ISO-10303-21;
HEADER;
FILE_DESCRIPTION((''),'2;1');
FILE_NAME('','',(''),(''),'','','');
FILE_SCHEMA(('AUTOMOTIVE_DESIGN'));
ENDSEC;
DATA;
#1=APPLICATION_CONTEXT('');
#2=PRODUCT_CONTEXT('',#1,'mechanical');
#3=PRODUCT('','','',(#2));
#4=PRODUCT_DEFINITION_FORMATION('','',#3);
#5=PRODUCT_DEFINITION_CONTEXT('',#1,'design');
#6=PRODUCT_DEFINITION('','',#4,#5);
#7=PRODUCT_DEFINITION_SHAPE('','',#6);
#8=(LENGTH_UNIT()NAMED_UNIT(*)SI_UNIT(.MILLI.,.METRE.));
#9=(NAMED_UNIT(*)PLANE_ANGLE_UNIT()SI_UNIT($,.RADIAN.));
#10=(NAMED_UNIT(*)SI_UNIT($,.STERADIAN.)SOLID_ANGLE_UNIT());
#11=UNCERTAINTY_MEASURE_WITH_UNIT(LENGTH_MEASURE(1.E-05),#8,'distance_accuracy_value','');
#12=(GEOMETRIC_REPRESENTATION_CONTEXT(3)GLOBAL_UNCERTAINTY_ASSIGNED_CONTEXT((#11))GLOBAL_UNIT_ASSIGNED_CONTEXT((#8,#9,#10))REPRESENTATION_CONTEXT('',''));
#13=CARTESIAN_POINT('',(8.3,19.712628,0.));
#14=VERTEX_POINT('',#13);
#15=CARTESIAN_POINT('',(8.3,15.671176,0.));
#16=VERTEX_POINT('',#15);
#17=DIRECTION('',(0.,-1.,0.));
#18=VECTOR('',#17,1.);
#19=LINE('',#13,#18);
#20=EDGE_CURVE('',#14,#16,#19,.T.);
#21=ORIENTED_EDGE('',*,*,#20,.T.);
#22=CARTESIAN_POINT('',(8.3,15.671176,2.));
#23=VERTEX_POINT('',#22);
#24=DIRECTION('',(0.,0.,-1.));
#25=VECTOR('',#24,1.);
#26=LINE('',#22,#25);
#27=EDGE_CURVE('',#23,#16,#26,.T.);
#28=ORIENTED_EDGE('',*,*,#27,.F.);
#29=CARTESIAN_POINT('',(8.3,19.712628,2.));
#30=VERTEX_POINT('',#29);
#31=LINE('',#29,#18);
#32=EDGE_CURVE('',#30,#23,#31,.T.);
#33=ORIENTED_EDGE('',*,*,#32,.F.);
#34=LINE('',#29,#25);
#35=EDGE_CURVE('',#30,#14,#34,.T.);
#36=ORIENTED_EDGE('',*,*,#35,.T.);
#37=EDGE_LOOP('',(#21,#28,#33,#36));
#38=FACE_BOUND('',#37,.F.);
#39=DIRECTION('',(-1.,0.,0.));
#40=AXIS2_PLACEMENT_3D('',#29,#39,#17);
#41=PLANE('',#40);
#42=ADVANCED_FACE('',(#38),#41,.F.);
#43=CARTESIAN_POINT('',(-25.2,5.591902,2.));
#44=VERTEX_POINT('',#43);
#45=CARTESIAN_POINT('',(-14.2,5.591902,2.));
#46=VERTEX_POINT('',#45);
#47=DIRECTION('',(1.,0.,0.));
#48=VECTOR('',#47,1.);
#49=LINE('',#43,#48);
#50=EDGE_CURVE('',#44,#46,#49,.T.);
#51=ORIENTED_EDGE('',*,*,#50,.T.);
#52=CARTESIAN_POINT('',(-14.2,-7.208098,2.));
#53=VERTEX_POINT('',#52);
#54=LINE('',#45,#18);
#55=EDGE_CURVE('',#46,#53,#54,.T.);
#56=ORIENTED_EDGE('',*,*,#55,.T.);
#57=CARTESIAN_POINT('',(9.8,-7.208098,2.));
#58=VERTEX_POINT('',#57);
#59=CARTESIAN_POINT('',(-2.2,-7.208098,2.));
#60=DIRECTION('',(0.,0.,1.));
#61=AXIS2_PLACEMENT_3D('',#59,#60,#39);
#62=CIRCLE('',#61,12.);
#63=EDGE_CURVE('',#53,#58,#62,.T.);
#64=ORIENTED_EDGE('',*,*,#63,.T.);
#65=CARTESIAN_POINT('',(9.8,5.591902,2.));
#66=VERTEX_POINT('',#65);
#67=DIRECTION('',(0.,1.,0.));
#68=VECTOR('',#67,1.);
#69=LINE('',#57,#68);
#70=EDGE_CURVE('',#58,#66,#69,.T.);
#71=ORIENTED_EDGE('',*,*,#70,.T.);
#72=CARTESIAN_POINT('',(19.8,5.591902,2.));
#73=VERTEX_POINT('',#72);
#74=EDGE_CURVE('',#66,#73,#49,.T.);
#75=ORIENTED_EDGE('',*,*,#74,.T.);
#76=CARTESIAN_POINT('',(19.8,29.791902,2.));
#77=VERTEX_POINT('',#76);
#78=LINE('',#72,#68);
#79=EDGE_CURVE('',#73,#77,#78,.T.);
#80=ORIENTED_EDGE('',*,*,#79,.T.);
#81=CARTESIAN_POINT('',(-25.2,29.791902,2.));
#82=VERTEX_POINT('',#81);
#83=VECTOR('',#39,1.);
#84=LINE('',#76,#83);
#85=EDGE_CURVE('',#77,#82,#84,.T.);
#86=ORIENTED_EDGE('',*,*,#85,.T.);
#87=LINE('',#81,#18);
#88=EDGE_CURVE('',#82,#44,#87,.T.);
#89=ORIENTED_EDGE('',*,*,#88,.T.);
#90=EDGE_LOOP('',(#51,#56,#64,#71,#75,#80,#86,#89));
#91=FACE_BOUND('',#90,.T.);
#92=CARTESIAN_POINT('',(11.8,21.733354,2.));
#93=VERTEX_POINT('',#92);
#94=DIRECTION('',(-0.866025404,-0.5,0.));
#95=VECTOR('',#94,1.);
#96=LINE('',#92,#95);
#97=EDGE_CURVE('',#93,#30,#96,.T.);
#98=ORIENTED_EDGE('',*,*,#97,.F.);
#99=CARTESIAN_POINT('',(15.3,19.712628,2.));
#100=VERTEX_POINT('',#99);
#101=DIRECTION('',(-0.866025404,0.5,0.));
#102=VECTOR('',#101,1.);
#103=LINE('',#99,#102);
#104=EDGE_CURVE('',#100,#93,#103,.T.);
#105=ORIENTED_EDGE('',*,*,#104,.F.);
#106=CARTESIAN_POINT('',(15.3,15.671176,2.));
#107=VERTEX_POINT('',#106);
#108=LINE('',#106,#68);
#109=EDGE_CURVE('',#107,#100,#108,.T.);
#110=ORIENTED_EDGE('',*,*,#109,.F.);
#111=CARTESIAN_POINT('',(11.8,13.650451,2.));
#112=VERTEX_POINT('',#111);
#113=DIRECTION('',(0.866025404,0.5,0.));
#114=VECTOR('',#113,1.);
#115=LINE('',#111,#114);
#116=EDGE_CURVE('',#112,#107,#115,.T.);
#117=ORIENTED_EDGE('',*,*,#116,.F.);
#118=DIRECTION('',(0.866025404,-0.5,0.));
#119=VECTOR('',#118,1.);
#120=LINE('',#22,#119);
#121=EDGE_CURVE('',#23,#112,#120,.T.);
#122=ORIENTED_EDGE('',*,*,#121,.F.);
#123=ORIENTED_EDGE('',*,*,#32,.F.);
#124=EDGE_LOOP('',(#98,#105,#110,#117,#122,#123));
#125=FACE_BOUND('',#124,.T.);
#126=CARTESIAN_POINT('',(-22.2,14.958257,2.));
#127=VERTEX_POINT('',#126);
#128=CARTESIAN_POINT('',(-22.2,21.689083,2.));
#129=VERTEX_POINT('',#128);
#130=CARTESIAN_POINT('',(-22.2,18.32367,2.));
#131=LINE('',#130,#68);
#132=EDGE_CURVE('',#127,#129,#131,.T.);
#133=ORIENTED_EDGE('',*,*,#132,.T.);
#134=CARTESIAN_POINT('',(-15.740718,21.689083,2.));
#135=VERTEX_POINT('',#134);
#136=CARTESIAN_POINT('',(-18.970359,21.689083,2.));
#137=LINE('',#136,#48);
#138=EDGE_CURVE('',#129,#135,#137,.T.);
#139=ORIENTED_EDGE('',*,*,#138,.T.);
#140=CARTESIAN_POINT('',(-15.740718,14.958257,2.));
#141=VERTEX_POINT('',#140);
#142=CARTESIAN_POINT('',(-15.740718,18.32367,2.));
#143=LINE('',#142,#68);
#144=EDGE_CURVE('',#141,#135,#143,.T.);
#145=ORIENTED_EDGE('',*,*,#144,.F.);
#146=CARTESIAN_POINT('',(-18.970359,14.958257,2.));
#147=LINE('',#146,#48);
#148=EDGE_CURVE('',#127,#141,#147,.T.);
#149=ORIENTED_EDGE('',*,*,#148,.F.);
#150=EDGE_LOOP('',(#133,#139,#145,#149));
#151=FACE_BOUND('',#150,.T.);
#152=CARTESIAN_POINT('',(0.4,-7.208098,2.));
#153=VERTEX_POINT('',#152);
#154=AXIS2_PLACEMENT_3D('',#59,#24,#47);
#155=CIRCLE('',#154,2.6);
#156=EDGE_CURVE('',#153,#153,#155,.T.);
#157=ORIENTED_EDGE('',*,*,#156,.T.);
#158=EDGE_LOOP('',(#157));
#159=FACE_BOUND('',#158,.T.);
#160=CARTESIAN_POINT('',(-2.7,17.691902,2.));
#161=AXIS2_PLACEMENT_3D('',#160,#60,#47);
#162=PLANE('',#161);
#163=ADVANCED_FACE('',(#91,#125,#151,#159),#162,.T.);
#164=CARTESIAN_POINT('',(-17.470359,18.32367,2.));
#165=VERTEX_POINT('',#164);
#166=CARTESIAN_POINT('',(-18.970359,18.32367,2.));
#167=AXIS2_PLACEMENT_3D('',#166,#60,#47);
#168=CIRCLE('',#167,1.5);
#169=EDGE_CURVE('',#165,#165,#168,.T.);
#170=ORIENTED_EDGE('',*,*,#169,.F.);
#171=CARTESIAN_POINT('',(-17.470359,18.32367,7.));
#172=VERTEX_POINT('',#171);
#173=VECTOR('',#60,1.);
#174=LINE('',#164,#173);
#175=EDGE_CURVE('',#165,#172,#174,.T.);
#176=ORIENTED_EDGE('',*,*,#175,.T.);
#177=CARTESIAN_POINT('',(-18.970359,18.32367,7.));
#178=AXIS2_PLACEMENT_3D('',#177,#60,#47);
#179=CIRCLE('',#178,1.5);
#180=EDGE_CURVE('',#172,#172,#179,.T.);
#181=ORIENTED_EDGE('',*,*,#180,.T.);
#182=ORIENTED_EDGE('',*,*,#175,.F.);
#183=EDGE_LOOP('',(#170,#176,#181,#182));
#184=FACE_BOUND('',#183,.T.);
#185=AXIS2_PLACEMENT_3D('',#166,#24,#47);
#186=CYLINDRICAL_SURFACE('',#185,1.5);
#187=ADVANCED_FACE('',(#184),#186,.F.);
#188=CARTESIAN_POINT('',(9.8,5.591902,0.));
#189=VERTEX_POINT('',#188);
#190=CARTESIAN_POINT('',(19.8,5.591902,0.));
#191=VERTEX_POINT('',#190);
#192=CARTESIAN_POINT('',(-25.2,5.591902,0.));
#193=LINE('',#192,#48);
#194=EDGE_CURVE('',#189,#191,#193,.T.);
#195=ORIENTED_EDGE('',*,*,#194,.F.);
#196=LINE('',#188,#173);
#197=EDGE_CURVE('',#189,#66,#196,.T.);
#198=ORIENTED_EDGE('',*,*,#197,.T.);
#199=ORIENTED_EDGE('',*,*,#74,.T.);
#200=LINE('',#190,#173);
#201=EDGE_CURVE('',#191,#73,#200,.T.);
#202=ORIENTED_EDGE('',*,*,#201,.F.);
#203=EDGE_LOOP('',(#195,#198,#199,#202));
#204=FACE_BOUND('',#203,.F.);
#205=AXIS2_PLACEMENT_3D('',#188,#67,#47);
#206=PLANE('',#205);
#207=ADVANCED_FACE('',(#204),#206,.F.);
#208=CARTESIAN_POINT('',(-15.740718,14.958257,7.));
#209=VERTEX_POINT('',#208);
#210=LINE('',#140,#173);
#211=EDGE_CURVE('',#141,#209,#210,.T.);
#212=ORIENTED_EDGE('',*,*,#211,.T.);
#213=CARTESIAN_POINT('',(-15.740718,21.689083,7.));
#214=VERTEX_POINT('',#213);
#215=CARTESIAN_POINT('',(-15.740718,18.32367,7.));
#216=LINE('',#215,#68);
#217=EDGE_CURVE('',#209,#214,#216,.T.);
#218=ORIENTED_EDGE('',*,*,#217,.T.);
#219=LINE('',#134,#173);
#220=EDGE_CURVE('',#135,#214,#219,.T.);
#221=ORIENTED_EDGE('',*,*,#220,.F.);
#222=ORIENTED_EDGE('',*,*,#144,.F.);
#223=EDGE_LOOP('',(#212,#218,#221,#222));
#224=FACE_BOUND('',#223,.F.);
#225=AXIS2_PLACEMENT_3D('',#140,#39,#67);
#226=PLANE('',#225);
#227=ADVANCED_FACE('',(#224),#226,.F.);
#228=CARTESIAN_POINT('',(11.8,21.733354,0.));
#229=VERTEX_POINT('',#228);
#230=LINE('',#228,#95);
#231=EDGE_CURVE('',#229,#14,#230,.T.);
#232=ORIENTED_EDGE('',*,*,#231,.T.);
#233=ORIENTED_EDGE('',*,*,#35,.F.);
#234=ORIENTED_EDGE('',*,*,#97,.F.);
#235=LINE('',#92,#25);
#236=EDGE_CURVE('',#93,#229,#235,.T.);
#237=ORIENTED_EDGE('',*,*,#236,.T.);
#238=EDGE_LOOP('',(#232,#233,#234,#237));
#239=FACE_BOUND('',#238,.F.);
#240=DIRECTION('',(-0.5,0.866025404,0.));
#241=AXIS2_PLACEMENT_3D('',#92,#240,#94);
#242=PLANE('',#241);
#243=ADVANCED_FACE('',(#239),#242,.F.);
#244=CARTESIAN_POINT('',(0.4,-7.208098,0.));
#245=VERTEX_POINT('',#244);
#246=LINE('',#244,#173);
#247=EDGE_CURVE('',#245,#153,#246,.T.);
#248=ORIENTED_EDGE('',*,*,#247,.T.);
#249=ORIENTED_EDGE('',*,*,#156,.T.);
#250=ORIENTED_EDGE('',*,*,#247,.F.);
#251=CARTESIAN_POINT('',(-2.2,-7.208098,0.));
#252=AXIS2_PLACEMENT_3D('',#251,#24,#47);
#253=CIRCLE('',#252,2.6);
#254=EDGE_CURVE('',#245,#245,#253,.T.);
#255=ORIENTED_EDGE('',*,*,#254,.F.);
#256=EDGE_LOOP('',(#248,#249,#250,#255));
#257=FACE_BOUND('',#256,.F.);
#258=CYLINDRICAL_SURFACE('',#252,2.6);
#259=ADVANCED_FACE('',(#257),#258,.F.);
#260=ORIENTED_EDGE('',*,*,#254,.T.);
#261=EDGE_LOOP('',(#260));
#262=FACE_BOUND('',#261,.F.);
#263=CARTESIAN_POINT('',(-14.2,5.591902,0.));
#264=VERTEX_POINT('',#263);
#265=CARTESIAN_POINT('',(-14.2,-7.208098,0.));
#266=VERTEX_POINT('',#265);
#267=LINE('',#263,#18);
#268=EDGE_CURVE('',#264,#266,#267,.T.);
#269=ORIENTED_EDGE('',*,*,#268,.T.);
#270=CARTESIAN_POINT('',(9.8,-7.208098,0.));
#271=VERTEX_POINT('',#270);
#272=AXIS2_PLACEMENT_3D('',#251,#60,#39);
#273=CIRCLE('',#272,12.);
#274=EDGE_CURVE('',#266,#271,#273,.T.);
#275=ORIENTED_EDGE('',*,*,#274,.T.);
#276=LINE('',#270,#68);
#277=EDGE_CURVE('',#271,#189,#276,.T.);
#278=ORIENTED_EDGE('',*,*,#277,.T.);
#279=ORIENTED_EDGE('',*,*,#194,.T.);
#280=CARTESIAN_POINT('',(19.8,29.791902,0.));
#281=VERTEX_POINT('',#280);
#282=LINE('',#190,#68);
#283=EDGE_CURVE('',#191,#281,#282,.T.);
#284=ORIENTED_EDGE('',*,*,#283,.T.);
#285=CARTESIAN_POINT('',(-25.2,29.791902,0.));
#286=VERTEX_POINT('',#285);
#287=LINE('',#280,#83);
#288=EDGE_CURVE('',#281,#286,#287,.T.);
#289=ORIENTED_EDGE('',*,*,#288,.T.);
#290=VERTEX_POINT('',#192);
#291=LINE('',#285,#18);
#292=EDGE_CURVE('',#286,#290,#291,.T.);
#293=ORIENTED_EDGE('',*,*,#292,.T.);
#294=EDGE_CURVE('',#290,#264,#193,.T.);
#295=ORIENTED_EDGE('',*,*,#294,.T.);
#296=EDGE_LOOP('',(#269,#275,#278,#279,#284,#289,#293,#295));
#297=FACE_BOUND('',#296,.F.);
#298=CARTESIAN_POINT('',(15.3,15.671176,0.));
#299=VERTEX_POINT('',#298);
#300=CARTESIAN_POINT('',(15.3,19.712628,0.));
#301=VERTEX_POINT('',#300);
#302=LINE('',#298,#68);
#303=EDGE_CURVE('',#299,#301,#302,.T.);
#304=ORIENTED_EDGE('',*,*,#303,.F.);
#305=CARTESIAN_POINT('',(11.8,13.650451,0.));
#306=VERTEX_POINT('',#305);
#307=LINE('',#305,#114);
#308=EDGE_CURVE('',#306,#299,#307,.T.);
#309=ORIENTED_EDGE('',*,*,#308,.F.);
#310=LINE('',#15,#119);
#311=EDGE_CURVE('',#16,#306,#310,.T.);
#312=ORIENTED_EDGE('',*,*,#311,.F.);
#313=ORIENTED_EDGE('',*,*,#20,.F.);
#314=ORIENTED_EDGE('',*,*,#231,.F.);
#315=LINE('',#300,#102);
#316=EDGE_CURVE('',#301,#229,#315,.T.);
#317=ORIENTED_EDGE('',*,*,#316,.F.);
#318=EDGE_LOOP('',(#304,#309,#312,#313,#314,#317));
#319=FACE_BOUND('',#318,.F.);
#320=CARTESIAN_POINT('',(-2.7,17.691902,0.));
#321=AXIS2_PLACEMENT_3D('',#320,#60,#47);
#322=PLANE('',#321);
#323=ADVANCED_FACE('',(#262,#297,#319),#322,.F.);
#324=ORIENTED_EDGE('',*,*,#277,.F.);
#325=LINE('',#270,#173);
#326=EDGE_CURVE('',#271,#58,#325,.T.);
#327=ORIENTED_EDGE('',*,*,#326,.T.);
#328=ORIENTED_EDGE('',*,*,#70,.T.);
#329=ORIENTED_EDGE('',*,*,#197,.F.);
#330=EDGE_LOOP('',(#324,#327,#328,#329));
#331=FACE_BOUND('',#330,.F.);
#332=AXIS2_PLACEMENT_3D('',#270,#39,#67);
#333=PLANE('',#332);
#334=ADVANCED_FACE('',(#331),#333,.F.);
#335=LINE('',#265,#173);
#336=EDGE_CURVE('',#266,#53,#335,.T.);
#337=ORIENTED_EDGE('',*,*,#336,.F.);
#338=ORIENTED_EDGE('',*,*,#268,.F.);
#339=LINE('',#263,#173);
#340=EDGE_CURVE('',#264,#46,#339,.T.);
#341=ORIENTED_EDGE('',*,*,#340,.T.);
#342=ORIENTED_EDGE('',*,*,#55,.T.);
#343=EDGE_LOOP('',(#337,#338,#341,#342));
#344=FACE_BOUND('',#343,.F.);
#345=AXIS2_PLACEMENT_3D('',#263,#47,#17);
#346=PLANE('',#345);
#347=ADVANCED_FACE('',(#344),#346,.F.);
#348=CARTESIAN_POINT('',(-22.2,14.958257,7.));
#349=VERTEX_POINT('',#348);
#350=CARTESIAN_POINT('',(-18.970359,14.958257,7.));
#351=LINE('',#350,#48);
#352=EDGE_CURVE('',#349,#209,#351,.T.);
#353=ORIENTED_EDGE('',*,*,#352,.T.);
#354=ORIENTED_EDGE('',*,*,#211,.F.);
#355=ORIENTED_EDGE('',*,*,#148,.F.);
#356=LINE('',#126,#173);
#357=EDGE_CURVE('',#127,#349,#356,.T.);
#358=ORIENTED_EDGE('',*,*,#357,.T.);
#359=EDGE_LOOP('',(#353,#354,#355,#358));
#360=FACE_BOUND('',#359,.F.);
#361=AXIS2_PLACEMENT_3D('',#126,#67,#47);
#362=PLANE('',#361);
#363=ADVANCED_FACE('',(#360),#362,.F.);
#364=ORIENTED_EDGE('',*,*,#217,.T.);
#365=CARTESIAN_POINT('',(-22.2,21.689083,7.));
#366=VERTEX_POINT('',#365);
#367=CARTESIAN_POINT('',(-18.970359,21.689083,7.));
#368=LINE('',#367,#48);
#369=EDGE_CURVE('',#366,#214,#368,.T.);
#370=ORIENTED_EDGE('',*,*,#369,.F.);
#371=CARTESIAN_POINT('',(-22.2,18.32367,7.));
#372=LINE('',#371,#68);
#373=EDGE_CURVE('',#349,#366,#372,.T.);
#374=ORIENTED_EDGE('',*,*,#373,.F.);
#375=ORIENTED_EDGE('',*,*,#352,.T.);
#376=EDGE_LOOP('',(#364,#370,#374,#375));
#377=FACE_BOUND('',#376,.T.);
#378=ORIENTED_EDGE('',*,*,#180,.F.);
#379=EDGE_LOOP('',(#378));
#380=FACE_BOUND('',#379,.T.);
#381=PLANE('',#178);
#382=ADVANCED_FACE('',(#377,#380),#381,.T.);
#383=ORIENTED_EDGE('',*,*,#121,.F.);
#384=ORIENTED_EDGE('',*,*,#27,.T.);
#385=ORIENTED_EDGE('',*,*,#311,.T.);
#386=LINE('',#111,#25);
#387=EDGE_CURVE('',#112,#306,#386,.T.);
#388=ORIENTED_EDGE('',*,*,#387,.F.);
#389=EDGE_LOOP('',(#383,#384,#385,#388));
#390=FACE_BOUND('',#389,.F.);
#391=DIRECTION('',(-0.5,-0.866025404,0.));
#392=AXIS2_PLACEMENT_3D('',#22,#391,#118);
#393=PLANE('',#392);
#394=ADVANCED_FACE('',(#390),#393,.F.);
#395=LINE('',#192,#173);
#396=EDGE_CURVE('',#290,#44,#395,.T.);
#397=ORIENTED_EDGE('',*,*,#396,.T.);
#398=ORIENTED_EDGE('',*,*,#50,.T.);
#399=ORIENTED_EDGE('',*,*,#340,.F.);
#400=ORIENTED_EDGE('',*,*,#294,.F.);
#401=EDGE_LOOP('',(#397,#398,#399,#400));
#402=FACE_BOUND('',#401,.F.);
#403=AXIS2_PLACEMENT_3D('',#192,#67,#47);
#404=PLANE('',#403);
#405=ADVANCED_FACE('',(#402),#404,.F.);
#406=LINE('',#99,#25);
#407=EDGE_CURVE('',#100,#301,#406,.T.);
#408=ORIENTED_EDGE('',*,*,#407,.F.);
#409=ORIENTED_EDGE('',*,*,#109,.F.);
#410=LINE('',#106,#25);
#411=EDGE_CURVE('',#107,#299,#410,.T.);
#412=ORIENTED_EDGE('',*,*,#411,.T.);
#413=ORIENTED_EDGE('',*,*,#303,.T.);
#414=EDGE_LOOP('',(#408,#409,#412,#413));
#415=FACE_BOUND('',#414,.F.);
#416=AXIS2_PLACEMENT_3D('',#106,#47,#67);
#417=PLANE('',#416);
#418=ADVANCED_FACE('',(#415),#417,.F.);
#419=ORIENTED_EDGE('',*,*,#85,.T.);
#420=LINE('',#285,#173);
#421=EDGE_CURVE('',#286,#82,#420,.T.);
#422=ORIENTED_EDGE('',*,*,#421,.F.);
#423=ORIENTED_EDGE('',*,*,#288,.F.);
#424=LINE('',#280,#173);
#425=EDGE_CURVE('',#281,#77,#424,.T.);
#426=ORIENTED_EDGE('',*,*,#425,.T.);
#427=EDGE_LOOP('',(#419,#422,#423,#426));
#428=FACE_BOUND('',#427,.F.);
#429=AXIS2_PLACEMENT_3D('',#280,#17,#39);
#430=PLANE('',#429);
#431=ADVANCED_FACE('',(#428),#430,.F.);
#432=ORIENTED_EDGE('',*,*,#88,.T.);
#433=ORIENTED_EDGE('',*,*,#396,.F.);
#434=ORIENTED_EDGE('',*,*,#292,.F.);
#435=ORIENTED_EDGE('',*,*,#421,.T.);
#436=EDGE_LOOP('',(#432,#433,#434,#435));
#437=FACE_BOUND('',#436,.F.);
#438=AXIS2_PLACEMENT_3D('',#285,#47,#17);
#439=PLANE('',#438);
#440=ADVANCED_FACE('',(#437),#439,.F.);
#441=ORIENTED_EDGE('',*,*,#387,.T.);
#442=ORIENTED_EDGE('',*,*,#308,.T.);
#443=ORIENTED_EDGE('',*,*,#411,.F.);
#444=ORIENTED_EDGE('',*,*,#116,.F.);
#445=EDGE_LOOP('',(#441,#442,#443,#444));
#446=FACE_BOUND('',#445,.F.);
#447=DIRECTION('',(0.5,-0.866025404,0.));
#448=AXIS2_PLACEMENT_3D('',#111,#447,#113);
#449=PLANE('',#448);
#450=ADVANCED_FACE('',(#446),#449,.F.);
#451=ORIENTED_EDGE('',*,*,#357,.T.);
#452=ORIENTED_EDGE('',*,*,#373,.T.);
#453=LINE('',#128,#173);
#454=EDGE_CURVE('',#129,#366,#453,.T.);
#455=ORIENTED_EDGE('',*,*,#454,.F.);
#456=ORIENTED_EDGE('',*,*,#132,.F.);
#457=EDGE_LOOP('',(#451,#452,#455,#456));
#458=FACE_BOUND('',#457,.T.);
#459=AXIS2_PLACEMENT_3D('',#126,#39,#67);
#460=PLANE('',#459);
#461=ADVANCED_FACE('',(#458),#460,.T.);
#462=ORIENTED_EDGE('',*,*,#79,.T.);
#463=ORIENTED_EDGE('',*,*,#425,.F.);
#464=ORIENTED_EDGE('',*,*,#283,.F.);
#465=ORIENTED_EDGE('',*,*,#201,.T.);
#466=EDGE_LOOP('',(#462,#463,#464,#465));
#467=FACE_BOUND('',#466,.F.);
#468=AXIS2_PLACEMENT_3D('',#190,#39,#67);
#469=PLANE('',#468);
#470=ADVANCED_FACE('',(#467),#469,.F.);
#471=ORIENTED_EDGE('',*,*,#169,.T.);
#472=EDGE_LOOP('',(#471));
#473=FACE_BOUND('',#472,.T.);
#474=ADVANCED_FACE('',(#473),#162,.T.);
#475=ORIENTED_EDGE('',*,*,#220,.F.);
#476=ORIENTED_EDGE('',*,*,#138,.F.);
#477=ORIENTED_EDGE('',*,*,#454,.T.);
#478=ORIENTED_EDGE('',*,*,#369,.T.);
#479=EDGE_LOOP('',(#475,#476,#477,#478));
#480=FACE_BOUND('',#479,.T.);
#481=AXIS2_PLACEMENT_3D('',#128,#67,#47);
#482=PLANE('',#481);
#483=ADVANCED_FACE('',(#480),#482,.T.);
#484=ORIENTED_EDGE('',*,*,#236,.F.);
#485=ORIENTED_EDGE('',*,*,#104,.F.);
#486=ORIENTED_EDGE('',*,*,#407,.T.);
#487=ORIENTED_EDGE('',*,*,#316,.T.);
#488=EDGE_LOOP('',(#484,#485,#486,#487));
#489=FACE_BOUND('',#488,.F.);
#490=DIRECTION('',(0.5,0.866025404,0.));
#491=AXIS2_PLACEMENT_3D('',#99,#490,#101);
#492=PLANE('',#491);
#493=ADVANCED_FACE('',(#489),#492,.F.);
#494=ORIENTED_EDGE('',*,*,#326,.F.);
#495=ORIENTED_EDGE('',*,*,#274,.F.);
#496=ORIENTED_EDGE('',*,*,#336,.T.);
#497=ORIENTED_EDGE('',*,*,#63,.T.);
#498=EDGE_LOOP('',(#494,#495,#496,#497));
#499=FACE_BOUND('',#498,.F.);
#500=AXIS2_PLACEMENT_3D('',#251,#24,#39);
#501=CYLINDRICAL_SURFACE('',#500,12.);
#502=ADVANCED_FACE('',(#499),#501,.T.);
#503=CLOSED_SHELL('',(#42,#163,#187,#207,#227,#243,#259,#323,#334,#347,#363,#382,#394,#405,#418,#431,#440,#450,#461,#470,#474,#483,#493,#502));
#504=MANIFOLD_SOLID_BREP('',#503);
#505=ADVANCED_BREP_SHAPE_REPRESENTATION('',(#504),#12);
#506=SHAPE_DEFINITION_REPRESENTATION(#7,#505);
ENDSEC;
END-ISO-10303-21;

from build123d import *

# Parameters (mm, degrees)
F1_DEPTH = 2
F2_W     = 6.4592821483
F2_H     = 6.7308258385
F2_R     = 1.5
F3_DEPTH = 5
F4_R     = 1.5
F5_DEPTH = 2


with BuildPart() as f1:
    # F0 (on Top) → F1 (new body)
    with BuildSketch(Plane.XY):
        Polygon((19.8, 29.7919024055), (-25.2, 29.7919024055), (-25.2, 5.5919024055), (-14.2, 5.5919024055), (9.8, 5.5919024055), (19.8, 5.5919024055), align=None)
        with BuildLine():
            Line((9.8, 5.5919024055), (-14.2, 5.5919024055))
            Line((-14.2, 5.5919024055), (-14.2, -7.2080975945))
            Line((-14.2, -7.2080975945), (-4.8, -7.2080975945))
            ThreePointArc((-4.8, -7.2080975945), (-2.2, -4.6080975945), (0.4, -7.2080975945))
            Line((0.4, -7.2080975945), (9.8, -7.2080975945))
            Line((9.8, -7.2080975945), (9.8, 5.5919024055))
        make_face()
        with BuildLine():
            Line((-4.8, -7.2080975945), (-14.2, -7.2080975945))
            ThreePointArc((-14.2, -7.2080975945), (-2.2, -19.2080975945), (9.8, -7.2080975945))
            Line((9.8, -7.2080975945), (0.4, -7.2080975945))
            ThreePointArc((0.4, -7.2080975945), (-2.2, -9.8080975945), (-4.8, -7.2080975945))
        make_face()
    extrude(amount=F1_DEPTH)

    # F2 (on face) → F3 (join)
    with BuildSketch(Plane.XY.offset(2)):
        with Locations((-18.9703589258, 18.3236696757)):
            Rectangle(F2_W, F2_H)
        with Locations((-18.9703589258, 18.3236696757)):
            Circle(F2_R, mode=Mode.SUBTRACT)
    extrude(amount=F3_DEPTH)

    # F4 (on face) → F5 (cut, through all)
    with BuildSketch(Plane.XY.offset(2)):
        Polygon((15.3, 15.6711764633), (15.3, 19.7126283476), (11.8, 21.7333542898), (8.3, 19.7126283476), (8.3, 15.6711764633), (11.8, 13.6504505211), align=None)
        with Locations((11.8, 17.6919024055)):
            Circle(F4_R, mode=Mode.SUBTRACT)
        with Locations((11.8, 17.6919024055)):
            Circle(F4_R)
    extrude(amount=-F5_DEPTH, mode=Mode.SUBTRACT)


solid = f1.part
